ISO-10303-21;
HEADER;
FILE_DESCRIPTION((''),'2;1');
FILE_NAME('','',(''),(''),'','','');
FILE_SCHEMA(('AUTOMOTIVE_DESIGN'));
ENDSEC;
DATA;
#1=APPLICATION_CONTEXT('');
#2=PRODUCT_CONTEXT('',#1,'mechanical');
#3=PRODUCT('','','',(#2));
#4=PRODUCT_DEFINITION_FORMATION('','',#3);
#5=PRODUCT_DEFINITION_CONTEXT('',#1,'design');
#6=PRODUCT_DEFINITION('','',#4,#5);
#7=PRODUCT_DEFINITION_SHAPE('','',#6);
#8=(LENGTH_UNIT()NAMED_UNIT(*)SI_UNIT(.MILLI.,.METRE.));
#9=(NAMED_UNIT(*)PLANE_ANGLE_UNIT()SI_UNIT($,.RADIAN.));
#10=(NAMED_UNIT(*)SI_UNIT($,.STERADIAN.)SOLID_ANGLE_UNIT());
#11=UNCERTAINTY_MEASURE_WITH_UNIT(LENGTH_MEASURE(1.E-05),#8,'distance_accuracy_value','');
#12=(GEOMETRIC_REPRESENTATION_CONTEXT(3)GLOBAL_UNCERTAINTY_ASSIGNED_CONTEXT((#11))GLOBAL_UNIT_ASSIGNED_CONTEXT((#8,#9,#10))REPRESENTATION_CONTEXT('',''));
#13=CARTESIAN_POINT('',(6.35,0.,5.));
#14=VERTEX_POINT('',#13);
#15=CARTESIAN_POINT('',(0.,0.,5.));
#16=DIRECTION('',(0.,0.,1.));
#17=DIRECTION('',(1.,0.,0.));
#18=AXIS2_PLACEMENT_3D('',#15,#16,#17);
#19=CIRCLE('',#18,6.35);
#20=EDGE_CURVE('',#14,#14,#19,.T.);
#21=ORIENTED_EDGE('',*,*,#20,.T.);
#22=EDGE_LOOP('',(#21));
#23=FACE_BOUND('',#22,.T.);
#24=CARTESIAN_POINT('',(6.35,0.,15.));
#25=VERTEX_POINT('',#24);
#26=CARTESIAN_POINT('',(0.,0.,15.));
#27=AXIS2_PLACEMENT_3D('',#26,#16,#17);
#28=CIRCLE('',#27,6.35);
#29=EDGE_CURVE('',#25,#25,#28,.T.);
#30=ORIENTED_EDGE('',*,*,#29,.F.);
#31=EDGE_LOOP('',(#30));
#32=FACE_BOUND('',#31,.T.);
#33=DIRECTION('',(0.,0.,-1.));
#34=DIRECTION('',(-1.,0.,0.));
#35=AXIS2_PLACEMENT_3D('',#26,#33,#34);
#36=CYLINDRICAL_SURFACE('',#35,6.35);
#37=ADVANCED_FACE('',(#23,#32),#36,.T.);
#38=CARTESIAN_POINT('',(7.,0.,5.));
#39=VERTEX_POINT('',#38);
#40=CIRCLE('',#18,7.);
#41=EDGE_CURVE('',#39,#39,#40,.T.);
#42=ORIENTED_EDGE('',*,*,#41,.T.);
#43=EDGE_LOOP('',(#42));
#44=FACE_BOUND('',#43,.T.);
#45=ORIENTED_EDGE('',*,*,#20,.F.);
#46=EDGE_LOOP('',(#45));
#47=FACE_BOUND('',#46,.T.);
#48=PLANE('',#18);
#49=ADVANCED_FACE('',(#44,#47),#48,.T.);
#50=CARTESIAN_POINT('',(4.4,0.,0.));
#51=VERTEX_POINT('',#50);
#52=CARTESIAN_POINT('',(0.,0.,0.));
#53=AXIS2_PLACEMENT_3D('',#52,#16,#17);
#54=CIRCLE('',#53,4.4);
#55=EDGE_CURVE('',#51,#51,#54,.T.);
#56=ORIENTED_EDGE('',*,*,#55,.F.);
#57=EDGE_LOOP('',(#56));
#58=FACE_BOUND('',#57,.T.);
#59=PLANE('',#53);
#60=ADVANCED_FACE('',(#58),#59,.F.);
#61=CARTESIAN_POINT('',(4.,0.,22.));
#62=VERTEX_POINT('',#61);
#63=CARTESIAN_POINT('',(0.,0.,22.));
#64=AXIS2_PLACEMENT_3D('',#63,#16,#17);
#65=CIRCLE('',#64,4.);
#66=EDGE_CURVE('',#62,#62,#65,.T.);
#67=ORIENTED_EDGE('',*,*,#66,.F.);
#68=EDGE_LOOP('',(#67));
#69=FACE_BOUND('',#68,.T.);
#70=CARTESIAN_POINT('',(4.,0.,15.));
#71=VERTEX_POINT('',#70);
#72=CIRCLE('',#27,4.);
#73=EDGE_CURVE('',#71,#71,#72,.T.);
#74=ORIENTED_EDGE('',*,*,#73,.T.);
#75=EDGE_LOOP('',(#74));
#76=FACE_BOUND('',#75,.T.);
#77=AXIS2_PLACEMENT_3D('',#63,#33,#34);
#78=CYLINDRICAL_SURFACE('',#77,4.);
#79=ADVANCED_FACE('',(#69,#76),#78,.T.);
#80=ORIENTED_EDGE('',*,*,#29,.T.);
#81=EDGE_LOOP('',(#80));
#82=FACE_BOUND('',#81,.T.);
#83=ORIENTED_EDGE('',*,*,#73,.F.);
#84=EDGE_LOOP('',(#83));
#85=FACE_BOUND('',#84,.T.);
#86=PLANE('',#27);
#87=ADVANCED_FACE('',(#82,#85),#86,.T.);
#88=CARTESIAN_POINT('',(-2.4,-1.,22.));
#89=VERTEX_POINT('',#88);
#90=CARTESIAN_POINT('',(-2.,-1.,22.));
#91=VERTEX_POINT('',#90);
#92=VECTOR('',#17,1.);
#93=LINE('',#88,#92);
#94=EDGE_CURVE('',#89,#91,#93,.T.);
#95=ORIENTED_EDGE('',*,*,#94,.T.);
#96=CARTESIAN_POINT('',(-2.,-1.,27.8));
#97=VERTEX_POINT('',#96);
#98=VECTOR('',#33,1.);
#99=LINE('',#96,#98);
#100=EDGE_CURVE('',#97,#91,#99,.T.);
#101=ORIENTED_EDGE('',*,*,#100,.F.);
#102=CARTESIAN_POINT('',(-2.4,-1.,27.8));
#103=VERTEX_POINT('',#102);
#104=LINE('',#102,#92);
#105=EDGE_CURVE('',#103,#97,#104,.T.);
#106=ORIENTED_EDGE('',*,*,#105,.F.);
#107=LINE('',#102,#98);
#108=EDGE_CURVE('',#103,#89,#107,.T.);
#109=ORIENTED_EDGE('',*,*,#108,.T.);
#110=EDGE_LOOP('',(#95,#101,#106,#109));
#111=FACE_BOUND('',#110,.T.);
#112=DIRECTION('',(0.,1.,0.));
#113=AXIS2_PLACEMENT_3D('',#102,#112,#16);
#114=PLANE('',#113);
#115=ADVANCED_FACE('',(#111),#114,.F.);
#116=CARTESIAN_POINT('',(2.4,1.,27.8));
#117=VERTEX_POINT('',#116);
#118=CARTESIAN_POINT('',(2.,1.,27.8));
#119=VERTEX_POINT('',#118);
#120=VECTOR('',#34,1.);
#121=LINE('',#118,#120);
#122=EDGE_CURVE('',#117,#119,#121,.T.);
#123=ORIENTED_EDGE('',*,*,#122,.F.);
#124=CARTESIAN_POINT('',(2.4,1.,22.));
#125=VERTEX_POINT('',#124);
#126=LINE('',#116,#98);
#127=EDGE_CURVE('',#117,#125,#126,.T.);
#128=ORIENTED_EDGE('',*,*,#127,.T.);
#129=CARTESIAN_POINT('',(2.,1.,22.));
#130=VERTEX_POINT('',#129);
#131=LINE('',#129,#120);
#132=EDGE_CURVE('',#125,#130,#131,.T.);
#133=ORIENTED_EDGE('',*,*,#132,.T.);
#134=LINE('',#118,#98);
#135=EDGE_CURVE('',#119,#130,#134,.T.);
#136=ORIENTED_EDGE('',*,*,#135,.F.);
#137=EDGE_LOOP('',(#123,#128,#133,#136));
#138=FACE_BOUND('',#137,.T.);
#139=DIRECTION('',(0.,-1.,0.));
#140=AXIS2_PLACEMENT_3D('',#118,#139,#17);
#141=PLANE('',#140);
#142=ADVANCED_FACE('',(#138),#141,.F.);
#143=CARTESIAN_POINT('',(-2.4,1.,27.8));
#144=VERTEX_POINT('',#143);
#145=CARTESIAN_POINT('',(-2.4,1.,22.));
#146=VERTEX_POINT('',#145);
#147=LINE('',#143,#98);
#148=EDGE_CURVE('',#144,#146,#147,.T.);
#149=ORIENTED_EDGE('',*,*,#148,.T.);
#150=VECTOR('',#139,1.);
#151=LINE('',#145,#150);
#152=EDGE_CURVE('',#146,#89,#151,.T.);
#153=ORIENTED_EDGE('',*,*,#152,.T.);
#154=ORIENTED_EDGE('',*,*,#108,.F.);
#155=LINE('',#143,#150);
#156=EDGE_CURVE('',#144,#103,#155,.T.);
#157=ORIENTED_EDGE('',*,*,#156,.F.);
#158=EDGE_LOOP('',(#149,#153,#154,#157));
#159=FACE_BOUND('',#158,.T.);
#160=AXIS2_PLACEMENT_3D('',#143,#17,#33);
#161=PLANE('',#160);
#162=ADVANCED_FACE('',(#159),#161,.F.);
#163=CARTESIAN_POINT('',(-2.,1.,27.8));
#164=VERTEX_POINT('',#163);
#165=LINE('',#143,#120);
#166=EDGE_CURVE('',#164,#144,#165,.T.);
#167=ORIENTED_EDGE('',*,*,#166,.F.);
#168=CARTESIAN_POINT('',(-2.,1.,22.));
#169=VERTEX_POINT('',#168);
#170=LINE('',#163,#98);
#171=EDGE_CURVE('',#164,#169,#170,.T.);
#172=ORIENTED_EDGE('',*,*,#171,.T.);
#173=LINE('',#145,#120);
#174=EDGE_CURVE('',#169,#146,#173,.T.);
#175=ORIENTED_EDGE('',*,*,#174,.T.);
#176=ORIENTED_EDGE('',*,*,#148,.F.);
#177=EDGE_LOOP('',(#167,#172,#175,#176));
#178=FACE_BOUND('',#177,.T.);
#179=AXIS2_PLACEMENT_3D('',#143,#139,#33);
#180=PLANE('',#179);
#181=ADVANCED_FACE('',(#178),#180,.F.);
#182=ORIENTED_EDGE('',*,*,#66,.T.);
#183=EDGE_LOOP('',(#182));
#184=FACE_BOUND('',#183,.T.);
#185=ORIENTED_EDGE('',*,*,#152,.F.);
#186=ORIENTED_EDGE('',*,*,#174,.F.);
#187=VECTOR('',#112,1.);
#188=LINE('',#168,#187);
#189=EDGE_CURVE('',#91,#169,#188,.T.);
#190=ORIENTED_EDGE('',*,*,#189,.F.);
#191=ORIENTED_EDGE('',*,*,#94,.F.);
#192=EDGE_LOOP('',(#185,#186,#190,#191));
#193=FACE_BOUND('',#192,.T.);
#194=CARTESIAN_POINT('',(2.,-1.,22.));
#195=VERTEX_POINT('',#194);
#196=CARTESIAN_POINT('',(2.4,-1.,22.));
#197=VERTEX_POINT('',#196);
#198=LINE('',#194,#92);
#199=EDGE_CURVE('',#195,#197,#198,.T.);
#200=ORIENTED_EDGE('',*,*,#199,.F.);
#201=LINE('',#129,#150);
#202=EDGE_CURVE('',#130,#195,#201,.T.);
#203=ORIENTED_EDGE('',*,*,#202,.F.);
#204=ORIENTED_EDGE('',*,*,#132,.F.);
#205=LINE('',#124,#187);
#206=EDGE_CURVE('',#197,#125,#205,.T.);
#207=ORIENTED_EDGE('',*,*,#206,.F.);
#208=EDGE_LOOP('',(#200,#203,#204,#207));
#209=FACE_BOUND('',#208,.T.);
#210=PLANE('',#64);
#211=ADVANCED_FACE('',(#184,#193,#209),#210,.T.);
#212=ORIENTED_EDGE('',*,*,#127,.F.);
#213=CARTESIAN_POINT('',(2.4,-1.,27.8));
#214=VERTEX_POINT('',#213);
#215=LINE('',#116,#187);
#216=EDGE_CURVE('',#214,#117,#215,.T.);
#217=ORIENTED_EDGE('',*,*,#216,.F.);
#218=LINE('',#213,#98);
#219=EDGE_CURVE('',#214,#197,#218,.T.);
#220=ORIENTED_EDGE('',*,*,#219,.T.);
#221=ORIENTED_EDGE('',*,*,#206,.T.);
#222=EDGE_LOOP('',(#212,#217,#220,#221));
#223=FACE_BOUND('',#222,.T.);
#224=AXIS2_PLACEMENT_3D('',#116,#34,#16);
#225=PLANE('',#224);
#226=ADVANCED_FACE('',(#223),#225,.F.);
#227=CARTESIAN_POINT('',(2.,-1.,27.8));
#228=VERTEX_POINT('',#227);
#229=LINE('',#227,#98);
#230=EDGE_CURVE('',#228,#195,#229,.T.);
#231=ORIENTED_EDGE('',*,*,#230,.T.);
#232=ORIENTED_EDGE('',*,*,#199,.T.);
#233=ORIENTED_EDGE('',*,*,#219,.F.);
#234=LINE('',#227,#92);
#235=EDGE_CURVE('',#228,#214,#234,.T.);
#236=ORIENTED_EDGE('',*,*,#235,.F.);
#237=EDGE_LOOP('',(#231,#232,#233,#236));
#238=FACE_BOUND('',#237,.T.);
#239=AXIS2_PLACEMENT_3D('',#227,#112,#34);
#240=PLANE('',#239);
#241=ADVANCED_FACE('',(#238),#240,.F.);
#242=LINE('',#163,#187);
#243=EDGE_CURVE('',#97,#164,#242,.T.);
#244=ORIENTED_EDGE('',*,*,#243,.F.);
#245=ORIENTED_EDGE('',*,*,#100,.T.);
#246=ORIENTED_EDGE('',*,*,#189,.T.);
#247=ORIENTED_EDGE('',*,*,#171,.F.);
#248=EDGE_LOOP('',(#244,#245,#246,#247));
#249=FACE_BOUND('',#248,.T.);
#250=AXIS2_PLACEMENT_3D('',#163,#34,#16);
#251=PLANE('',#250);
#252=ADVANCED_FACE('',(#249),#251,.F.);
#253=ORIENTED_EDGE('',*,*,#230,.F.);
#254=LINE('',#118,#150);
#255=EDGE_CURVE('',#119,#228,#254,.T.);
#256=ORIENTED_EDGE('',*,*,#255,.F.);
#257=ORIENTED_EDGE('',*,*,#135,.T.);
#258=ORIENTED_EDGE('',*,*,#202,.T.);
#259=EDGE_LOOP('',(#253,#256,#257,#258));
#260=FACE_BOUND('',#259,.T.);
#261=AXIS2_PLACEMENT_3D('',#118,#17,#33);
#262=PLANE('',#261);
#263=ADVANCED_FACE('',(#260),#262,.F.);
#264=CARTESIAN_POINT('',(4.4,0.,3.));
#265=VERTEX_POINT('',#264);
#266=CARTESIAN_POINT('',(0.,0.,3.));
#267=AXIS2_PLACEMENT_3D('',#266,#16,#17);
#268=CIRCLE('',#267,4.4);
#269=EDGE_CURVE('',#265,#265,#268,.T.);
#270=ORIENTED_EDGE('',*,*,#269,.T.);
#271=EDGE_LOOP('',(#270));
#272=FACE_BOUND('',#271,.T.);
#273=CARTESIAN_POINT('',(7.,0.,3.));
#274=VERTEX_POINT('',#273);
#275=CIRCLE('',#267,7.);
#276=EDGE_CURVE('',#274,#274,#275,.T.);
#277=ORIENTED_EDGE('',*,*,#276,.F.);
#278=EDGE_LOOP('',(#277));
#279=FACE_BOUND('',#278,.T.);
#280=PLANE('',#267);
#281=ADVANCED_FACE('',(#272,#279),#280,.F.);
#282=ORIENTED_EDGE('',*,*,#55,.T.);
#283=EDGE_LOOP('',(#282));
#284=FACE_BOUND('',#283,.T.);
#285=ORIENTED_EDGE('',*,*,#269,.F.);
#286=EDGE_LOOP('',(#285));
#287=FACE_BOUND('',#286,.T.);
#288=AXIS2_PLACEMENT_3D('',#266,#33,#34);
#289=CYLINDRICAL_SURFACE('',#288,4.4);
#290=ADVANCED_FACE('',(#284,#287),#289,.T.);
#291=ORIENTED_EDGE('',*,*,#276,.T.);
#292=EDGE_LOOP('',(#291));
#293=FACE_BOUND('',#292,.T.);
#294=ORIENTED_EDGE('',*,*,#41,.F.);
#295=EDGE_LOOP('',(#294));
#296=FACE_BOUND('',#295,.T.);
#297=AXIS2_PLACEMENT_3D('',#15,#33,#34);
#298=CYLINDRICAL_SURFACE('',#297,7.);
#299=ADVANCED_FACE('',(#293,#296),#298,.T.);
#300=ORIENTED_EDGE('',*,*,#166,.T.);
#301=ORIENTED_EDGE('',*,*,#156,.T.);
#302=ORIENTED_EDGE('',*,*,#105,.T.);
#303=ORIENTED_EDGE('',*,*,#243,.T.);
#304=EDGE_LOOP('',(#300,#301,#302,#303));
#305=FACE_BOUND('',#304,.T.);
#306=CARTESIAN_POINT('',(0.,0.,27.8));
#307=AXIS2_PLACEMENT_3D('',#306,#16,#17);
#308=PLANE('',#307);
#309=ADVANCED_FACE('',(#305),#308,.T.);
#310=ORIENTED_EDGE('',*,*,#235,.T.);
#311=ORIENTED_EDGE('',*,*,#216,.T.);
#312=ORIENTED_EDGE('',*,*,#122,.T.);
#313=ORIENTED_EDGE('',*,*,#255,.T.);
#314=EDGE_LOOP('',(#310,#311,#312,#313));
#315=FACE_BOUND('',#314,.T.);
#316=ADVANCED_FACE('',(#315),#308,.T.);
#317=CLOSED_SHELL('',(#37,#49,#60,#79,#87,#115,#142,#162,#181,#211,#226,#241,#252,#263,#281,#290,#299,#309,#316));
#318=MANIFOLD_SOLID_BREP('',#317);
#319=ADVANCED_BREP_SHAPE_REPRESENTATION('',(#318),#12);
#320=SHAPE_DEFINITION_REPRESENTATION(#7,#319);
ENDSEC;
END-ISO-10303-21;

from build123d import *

# Parameters (mm, degrees)
ESQUISSE1_R        = 4.4
BOSS_EXTRU_1_DEPTH = 3
ESQUISSE2_R        = 7
BOSS_EXTRU_2_DEPTH = 2
ESQUISSE3_R        = 6.35
BOSS_EXTRU_3_DEPTH = 10
ESQUISSE4_R        = 4
BOSS_EXTRU_4_DEPTH = 7
ESQUISSE5_W        = 0.4
ESQUISSE5_H        = 2
BOSS_EXTRU_5_DEPTH = 5.8


with BuildPart() as part:
    # Esquisse1 → Boss.-Extru.1 (new body)
    with BuildSketch(Plane.XY):
        Circle(ESQUISSE1_R)
    extrude(amount=BOSS_EXTRU_1_DEPTH)

    # Esquisse2 → Boss.-Extru.2 (add)
    with BuildSketch(Plane.XY.offset(3)):
        Circle(ESQUISSE2_R)
    extrude(amount=BOSS_EXTRU_2_DEPTH)

    # Esquisse3 → Boss.-Extru.3 (add)
    with BuildSketch(Plane.XY.offset(5)):
        Circle(ESQUISSE3_R)
    extrude(amount=BOSS_EXTRU_3_DEPTH)

    # Esquisse4 → Boss.-Extru.4 (add)
    with BuildSketch(Plane.XY.offset(15)):
        Circle(ESQUISSE4_R)
    extrude(amount=BOSS_EXTRU_4_DEPTH)

    # Esquisse5 → Boss.-Extru.5 (add)
    with BuildSketch(Plane.XY.offset(22)):
        with Locations((-2.2, 0)):
            Rectangle(ESQUISSE5_W, ESQUISSE5_H)
        with Locations((2.2, 0)):
            Rectangle(ESQUISSE5_W, ESQUISSE5_H)
    extrude(amount=BOSS_EXTRU_5_DEPTH)


solid = part.part
